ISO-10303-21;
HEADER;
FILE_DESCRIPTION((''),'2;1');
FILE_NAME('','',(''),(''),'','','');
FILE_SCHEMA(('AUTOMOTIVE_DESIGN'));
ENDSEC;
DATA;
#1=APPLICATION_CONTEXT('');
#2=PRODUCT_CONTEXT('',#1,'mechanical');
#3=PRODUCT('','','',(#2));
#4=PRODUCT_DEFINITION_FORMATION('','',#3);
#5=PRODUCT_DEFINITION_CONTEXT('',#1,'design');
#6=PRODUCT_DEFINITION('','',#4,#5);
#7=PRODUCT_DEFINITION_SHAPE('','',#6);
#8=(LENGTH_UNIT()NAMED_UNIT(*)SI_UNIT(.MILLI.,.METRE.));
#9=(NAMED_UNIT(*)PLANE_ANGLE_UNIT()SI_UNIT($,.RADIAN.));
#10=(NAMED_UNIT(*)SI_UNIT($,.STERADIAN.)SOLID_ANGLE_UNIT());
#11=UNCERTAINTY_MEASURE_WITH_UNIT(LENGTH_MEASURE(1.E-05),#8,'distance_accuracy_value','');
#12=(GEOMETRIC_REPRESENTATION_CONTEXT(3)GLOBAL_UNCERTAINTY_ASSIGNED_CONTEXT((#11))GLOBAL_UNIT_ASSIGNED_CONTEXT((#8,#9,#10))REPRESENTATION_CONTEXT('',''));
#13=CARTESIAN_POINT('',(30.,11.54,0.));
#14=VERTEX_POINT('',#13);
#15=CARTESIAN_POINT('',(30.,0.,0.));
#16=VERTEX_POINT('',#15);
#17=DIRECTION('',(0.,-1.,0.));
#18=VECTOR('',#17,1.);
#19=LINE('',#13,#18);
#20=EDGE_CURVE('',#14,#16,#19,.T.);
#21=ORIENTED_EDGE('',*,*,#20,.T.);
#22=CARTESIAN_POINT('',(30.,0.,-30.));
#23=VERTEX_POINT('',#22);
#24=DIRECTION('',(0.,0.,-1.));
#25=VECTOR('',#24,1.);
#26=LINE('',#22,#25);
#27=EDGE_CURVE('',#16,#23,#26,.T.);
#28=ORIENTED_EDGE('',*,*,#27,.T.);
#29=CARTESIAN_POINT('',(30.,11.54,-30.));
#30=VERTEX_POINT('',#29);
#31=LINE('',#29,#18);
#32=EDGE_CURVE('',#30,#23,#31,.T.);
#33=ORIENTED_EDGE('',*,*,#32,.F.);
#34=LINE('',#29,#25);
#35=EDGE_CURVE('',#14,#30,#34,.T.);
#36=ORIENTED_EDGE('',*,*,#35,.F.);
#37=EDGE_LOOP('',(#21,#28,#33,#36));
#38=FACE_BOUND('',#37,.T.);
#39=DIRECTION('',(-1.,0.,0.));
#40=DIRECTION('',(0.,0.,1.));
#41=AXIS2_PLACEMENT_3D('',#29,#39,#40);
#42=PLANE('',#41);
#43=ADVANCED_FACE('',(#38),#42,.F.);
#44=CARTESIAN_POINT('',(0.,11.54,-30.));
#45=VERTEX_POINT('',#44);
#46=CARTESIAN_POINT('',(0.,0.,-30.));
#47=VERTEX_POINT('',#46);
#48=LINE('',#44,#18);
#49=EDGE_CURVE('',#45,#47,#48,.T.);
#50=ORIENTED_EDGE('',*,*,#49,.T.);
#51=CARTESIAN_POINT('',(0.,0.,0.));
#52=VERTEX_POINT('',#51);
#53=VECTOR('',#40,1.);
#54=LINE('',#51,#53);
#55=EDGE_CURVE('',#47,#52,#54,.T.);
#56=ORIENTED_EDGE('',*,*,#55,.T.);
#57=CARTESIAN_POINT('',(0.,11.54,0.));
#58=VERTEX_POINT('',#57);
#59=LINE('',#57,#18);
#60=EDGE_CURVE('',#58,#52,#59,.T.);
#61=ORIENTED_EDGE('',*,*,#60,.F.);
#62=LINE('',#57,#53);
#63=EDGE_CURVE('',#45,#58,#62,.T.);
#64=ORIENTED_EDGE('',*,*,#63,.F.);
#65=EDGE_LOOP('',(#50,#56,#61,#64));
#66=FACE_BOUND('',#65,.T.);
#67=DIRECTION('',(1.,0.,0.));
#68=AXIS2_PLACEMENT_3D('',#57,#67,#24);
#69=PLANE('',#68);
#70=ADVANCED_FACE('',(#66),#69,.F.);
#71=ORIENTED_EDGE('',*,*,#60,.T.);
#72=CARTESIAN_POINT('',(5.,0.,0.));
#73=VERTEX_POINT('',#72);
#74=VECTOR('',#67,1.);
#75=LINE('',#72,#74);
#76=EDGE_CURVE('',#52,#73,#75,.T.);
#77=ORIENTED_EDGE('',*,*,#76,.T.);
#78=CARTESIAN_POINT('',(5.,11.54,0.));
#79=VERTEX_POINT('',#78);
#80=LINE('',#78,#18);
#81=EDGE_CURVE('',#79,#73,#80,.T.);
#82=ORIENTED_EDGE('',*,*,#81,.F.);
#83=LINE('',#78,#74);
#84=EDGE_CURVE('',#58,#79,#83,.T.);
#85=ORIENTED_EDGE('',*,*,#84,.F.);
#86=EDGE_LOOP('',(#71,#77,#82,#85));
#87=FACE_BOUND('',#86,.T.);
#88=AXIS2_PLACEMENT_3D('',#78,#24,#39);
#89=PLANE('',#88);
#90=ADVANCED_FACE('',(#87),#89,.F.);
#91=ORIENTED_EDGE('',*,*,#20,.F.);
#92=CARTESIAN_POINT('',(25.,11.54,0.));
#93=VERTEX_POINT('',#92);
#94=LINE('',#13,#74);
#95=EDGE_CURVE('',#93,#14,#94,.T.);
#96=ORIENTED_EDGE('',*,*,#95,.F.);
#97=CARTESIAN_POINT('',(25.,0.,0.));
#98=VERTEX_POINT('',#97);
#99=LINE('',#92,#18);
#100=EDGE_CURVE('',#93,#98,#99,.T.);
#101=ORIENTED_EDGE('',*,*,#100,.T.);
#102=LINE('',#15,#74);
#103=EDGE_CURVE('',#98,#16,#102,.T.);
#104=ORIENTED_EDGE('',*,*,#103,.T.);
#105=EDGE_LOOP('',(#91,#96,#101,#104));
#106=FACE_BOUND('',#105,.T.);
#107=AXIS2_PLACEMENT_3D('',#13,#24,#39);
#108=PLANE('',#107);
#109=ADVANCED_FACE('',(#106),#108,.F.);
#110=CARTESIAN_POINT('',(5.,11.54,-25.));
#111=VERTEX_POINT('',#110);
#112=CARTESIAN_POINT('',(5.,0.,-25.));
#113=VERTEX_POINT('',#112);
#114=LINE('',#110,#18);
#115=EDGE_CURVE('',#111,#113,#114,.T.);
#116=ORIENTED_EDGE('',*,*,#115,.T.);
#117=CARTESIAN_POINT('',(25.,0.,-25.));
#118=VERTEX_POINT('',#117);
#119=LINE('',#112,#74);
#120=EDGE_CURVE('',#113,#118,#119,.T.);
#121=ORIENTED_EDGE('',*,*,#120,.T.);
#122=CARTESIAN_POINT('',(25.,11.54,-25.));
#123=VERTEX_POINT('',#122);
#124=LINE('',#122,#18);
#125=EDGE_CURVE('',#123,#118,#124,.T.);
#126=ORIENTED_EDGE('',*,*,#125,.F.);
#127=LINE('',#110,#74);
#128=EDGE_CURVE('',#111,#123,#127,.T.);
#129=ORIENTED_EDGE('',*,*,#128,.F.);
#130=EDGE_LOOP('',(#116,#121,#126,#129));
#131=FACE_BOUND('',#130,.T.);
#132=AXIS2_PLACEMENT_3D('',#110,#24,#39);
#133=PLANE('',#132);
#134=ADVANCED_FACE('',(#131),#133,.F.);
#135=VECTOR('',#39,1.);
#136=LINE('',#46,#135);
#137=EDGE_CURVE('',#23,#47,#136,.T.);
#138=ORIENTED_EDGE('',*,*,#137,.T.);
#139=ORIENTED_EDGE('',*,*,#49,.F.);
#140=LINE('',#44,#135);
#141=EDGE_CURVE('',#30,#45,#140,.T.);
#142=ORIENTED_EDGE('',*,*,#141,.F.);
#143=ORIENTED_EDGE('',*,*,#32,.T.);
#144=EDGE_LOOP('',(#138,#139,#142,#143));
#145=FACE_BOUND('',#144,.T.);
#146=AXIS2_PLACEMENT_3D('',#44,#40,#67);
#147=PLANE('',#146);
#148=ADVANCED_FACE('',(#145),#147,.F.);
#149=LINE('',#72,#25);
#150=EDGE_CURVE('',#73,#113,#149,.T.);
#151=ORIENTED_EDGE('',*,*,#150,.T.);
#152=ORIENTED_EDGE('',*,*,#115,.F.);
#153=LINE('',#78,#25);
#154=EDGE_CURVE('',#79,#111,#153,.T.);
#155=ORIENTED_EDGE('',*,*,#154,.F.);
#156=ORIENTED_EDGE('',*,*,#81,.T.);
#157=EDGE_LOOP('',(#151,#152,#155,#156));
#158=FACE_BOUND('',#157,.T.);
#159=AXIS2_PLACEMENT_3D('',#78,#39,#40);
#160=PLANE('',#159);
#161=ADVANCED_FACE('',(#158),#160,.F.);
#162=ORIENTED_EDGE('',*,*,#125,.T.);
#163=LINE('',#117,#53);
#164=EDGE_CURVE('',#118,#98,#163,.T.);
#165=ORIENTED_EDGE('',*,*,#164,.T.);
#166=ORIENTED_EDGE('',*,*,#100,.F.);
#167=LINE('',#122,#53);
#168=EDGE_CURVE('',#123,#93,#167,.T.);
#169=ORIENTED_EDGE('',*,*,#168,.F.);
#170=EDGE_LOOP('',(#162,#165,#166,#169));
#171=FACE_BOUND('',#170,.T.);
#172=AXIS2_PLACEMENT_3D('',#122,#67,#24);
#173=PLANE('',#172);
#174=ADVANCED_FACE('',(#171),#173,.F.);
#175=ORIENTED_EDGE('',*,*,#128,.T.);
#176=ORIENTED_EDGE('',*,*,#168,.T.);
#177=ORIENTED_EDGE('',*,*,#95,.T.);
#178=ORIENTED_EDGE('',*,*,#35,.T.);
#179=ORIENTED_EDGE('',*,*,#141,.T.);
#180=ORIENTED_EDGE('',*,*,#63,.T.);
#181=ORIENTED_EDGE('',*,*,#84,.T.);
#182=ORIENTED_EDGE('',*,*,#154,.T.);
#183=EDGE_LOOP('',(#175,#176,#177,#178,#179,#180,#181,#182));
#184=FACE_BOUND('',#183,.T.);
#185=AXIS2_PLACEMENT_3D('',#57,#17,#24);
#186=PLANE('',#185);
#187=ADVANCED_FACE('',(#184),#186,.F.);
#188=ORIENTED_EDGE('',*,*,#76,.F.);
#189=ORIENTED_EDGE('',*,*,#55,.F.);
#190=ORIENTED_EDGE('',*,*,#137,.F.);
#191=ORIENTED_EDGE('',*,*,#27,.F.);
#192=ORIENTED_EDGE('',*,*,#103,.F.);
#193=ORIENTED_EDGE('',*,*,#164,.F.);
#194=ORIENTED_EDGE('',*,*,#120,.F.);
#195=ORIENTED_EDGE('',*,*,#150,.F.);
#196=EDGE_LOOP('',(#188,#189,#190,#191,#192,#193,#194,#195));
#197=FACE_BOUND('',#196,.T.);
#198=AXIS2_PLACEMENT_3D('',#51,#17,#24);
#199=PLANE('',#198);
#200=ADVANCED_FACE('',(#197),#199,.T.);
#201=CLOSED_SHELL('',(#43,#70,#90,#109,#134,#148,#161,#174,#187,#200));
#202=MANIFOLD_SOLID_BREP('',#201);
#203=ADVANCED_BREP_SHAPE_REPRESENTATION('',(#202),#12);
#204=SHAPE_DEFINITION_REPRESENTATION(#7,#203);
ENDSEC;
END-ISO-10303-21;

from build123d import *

# Parameters (mm, degrees)
BOSS_EXTRUDE1_DEPTH = 11.54


with BuildPart() as part:
    # Sketch1 → Boss-Extrude1 (new body)
    with BuildSketch(Plane(origin=(0, 0, 0), x_dir=(1, 0, 0), z_dir=(0, 1, 0))):
        Polygon((0, 0), (0, 30), (30, 30), (30, 0), (25, 0), (25, 25), (5, 25), (5, 0), align=None)
    extrude(amount=BOSS_EXTRUDE1_DEPTH)


solid = part.part
